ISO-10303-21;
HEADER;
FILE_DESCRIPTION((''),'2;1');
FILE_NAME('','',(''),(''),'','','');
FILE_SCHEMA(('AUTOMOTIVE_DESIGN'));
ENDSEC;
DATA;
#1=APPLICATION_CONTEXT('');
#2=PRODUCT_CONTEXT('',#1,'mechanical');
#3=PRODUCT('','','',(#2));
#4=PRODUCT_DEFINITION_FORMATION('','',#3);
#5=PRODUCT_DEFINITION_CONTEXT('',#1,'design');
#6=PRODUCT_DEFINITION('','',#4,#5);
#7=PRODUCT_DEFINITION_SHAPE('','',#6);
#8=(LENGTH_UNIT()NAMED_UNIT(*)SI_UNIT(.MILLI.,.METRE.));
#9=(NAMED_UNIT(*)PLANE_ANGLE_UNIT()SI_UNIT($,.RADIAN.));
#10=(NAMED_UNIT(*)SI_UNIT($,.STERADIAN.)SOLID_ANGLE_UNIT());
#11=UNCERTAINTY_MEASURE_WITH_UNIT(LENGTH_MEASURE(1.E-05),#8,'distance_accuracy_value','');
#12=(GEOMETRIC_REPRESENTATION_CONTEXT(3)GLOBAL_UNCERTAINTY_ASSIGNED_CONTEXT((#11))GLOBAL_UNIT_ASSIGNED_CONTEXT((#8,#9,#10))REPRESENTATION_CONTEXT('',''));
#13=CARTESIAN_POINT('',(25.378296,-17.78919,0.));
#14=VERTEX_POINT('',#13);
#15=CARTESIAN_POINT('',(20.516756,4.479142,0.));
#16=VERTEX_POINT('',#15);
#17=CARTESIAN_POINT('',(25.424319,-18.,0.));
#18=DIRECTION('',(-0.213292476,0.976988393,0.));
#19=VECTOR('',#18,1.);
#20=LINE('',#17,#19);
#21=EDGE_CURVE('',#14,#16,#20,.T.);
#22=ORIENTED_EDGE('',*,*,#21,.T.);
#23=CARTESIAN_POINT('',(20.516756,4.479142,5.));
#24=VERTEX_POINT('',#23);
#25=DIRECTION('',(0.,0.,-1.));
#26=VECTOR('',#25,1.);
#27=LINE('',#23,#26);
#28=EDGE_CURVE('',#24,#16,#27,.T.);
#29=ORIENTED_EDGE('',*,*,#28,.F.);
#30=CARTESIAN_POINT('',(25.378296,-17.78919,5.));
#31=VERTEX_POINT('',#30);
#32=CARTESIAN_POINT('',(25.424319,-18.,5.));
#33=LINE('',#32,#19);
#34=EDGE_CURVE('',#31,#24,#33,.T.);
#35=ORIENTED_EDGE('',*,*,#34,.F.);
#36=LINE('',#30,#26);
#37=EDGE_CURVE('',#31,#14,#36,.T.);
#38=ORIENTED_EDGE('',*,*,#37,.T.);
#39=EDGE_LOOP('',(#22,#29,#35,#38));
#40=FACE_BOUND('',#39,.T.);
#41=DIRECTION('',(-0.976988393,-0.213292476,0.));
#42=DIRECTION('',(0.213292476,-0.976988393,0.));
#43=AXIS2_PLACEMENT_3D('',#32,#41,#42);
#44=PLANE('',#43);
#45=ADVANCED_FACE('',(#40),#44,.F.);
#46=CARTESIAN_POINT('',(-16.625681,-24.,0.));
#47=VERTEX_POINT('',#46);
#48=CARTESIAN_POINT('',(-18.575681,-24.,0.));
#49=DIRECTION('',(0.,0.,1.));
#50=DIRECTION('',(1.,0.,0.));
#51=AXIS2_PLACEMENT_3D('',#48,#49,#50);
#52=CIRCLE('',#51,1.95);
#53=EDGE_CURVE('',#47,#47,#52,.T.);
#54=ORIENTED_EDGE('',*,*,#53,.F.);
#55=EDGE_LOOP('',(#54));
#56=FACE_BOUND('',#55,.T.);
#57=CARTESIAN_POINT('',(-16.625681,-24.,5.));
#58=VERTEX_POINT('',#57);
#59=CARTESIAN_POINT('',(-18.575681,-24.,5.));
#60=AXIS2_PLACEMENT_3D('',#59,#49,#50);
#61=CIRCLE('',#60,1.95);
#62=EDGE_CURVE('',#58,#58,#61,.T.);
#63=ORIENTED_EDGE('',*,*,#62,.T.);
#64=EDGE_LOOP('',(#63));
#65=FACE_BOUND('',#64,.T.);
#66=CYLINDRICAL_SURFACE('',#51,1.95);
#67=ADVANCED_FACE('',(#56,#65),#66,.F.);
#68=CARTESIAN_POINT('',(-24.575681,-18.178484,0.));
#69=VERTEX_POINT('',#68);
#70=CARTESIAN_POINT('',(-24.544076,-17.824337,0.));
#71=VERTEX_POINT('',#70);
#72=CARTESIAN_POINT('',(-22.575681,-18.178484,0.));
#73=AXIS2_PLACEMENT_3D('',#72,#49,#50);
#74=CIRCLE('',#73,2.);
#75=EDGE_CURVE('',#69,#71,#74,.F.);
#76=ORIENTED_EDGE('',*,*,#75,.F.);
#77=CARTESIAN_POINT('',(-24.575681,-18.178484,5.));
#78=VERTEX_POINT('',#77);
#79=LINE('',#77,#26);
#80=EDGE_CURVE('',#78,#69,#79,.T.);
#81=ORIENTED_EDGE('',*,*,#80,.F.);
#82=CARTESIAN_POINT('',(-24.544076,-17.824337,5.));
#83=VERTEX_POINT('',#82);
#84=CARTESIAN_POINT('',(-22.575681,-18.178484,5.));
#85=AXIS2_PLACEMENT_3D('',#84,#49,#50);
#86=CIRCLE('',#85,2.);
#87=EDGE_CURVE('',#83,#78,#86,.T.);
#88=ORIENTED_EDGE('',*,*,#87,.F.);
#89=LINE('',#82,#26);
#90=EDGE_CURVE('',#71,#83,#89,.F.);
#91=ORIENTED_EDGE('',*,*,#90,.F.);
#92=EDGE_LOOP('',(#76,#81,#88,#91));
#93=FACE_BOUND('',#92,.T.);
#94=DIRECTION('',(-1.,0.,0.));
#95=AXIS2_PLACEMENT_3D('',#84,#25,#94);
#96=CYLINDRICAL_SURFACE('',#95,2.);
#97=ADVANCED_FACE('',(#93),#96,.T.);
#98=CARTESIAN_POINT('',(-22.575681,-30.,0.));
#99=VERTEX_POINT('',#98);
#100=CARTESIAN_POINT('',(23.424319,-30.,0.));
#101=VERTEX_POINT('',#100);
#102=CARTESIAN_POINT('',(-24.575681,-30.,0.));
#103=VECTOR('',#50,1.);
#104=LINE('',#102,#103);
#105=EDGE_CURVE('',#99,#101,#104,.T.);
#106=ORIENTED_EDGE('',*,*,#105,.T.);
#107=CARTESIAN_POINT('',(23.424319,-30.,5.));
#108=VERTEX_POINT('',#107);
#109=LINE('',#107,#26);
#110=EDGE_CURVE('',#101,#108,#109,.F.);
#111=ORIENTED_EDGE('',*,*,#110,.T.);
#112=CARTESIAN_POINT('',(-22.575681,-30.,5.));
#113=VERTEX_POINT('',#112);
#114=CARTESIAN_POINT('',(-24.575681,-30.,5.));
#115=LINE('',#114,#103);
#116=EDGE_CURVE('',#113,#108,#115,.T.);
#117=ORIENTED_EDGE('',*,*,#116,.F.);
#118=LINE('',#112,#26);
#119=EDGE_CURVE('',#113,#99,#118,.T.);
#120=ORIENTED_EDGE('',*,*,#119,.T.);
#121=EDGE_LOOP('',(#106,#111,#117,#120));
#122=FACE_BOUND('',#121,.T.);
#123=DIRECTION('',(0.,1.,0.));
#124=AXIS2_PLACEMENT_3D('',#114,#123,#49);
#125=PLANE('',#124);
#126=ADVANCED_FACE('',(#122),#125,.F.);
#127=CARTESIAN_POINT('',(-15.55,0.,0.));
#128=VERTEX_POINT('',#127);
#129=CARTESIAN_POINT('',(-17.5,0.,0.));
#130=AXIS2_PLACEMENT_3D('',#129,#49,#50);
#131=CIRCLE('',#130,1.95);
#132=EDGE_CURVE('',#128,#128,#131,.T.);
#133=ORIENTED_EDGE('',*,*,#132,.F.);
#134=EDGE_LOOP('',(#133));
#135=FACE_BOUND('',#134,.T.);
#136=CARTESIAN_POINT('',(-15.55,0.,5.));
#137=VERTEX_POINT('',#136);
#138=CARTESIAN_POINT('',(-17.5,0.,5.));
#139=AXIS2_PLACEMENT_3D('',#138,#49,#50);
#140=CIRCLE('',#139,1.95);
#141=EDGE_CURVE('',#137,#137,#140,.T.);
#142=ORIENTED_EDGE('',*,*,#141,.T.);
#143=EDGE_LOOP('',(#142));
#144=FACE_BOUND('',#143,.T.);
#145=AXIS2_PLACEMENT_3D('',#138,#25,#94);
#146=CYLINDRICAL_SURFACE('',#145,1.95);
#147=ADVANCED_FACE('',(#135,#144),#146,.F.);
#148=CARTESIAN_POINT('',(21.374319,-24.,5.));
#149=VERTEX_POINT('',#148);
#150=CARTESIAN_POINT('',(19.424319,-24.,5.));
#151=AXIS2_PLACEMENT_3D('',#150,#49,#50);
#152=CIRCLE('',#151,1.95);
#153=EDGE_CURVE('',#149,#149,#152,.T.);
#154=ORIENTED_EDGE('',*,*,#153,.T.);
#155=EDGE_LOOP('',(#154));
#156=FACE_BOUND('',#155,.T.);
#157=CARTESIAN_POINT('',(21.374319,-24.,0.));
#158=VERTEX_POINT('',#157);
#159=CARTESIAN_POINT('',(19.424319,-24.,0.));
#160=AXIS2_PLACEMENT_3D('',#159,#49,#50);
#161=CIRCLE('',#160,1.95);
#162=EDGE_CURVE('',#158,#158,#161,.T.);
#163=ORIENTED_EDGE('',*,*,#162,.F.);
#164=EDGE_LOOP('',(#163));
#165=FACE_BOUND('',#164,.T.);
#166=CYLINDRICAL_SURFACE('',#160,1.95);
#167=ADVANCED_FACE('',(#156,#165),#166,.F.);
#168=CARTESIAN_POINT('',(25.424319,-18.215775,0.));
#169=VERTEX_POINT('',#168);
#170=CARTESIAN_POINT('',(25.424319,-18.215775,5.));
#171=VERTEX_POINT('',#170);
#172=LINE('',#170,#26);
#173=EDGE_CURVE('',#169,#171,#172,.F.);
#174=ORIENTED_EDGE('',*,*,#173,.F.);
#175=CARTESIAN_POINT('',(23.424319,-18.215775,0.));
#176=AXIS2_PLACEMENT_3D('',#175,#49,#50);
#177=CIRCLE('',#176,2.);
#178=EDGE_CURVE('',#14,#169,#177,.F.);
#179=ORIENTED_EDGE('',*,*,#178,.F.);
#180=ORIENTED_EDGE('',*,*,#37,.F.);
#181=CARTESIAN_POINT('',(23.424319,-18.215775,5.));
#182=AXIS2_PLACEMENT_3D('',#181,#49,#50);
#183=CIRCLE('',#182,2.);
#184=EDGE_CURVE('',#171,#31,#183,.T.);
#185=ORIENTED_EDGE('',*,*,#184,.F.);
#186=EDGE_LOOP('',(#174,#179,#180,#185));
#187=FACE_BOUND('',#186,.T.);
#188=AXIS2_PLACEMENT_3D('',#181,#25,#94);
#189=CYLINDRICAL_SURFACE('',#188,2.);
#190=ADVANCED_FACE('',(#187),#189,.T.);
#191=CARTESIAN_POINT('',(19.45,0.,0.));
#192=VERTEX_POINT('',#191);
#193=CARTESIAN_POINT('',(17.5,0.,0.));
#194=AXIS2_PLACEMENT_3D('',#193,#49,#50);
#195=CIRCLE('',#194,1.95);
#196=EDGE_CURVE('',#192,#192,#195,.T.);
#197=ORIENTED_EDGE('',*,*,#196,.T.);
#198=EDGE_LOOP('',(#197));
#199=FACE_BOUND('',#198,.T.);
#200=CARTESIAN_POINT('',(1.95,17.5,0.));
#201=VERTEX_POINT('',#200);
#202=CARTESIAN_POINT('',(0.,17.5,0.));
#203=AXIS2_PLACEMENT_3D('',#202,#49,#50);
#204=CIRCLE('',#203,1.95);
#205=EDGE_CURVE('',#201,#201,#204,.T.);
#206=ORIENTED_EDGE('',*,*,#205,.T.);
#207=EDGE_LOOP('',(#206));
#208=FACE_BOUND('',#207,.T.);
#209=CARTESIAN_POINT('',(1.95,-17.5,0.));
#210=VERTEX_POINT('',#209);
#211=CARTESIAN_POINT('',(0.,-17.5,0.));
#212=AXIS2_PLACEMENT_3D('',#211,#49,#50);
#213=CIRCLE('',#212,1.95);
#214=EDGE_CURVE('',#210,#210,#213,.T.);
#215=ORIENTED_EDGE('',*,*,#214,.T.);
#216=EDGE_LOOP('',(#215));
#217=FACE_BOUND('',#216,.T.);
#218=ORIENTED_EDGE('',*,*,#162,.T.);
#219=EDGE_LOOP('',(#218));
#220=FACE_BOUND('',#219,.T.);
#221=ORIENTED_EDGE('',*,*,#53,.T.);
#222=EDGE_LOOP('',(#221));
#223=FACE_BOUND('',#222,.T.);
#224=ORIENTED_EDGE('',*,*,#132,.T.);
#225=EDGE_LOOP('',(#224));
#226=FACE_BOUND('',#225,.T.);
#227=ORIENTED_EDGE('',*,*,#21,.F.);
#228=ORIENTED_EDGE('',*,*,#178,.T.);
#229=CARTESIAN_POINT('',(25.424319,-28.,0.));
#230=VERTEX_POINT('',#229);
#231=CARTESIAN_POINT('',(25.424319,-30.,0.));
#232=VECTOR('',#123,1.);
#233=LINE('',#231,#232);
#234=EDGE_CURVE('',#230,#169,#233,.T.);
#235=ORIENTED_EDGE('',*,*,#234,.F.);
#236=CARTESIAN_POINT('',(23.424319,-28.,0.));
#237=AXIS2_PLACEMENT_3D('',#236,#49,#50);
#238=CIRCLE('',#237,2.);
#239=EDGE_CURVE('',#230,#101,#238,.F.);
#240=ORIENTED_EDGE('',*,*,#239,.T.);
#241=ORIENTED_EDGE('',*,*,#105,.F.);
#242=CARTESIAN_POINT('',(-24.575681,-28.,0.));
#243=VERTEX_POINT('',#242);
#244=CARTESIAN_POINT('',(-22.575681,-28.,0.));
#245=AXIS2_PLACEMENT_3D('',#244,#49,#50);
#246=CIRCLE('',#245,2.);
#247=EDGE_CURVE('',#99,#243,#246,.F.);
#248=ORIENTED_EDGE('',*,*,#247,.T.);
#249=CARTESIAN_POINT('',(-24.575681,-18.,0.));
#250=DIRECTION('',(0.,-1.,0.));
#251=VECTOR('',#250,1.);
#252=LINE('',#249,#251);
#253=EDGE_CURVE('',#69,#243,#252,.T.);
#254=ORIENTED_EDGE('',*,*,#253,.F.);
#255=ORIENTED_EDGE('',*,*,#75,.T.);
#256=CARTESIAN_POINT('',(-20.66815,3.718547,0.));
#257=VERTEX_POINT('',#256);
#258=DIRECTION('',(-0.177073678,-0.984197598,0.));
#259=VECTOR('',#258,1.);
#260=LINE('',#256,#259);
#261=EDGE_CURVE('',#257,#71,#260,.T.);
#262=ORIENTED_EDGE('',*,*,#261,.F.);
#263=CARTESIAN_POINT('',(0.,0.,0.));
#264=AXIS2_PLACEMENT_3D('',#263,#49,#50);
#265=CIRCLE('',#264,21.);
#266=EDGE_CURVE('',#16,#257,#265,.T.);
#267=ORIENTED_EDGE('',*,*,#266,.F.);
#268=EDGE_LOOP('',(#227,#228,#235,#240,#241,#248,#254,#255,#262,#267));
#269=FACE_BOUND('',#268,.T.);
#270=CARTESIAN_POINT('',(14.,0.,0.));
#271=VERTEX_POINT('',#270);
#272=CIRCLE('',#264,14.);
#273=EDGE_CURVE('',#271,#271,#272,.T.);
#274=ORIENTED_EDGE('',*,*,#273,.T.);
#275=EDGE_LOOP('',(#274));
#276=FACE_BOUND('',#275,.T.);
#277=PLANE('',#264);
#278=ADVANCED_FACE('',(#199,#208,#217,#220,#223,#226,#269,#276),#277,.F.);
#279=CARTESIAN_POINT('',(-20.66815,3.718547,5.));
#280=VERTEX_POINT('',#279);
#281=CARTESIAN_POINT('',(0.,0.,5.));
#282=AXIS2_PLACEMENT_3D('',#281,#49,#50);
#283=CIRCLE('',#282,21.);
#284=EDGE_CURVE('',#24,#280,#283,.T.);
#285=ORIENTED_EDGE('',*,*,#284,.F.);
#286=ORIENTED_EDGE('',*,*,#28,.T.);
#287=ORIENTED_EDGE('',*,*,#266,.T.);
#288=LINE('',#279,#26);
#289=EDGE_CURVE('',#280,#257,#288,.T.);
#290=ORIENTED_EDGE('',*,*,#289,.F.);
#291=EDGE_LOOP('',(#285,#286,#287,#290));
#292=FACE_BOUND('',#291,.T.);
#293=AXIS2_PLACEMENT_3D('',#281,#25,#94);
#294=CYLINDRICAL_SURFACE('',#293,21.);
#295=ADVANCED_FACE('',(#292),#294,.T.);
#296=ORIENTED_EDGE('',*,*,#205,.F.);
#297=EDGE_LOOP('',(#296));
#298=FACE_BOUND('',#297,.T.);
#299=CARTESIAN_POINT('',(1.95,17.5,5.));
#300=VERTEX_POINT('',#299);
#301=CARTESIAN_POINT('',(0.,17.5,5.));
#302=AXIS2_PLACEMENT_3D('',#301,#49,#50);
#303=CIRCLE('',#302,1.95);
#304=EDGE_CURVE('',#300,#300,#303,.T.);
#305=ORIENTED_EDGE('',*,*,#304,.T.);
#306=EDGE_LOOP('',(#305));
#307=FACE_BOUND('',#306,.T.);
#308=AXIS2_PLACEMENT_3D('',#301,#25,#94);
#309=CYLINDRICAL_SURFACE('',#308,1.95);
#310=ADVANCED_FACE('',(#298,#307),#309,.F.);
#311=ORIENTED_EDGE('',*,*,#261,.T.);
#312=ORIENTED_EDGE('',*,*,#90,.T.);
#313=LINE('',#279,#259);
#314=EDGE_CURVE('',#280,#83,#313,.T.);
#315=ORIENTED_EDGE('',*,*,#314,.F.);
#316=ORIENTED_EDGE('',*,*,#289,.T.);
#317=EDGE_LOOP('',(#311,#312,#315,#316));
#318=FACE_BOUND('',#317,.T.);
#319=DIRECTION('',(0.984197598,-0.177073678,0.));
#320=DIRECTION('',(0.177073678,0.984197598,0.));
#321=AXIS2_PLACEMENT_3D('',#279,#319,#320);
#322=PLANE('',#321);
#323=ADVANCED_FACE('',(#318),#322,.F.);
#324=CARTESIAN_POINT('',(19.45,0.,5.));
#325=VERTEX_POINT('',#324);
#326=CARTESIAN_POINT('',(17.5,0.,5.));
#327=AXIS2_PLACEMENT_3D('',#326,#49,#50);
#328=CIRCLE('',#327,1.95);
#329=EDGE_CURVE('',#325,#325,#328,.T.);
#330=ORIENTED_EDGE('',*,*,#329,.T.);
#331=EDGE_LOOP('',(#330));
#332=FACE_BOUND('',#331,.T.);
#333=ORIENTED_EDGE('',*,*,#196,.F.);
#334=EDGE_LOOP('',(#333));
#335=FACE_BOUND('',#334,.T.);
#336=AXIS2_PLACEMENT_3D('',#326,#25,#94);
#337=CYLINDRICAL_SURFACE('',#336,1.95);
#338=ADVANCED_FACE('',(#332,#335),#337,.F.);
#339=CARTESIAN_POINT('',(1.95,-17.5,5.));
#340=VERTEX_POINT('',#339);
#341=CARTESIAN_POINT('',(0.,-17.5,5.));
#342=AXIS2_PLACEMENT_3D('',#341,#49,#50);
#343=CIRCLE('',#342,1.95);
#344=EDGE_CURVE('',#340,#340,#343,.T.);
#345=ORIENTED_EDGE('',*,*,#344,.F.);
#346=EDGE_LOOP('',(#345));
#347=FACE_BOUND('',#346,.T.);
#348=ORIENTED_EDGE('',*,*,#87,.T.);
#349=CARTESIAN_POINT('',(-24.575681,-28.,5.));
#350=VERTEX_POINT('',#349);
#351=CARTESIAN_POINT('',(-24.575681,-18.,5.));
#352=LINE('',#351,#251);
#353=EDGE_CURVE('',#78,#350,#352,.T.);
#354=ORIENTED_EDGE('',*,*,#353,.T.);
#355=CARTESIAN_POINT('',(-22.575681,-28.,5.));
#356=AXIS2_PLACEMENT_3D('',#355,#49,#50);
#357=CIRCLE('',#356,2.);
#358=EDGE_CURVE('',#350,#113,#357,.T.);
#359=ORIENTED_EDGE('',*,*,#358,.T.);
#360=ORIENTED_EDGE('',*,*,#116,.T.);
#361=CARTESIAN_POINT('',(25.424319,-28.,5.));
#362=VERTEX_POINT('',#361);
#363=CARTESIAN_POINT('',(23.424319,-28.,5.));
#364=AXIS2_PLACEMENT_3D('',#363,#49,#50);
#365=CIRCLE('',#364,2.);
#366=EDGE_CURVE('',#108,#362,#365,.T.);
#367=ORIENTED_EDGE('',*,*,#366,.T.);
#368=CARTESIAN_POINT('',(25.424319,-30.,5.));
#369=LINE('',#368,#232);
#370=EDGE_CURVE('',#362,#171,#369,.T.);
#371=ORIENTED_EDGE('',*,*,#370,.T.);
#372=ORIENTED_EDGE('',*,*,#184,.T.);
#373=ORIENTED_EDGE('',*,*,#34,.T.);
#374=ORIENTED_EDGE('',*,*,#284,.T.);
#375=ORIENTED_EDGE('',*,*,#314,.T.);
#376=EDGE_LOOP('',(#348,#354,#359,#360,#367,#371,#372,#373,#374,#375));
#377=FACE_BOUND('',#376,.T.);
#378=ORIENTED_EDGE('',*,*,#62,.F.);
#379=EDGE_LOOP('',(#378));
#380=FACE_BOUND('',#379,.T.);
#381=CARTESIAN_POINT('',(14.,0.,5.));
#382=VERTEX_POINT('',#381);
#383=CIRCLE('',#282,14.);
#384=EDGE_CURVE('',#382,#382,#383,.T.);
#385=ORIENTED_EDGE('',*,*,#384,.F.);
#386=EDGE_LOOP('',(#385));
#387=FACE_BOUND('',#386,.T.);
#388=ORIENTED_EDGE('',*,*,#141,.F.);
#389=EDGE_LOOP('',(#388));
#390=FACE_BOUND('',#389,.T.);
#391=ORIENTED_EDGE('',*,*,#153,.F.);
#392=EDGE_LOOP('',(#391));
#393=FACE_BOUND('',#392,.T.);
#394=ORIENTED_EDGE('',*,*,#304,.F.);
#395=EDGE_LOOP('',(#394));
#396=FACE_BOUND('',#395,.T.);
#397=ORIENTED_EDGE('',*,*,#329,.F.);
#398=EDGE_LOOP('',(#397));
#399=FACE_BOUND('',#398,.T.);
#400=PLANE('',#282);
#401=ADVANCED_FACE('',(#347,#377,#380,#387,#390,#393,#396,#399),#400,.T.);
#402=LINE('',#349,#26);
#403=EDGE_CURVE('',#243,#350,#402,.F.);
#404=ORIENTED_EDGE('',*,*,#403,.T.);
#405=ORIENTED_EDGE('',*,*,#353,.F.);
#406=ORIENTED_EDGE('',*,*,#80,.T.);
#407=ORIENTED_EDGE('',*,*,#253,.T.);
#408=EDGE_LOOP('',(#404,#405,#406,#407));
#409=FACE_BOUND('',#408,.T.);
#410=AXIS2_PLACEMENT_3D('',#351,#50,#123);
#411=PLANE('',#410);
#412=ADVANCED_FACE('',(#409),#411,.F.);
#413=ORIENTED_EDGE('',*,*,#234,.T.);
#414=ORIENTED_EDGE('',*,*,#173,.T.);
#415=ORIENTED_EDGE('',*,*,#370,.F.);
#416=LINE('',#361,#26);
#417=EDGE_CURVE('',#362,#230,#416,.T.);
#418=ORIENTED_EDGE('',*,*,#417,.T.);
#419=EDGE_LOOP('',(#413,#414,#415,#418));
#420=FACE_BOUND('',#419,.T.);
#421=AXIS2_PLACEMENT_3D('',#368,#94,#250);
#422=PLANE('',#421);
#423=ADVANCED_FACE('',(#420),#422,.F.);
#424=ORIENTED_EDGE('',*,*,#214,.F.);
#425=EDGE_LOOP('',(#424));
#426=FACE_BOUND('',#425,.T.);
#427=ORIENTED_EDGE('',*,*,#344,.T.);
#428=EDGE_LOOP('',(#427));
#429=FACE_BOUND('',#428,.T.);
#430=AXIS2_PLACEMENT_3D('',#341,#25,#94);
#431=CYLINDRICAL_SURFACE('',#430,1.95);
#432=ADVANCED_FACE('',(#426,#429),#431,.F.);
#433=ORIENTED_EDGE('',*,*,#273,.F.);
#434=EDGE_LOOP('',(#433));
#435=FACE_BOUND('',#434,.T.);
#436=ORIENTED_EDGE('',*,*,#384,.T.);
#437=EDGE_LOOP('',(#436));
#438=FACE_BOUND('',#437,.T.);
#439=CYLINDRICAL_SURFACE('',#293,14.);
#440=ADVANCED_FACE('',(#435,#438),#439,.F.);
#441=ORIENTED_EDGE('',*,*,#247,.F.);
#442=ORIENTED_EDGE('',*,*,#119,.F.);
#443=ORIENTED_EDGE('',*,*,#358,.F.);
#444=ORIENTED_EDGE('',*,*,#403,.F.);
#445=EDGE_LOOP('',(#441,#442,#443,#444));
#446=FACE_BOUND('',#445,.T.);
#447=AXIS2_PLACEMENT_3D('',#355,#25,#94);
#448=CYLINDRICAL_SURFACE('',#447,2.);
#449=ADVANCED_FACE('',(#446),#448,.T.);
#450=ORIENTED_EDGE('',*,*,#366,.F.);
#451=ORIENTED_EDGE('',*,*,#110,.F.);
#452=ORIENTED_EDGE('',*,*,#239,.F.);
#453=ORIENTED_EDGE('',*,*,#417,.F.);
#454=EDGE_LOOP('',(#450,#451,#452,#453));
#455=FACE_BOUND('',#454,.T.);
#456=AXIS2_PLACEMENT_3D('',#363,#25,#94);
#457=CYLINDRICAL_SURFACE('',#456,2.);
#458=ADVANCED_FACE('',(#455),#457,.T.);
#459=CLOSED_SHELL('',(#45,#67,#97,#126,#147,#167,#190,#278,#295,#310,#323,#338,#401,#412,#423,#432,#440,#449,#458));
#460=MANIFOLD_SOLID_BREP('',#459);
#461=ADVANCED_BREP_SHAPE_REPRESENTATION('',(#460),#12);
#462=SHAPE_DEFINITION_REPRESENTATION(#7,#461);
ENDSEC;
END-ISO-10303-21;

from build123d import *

# Parameters (mm, degrees)
SKETCH_1_R          = 1.95
SKETCH_1_R_2        = 14
EXTRUDE_1_DEPTH     = 5
SKETCH_2_R          = 1.95
CUT_EXTRUDE_1_DEPTH = 40.6408375
FILLET_1_R          = 2


with BuildPart() as part:
    # 草图1 → 凸台-拉伸1 (new body)
    with BuildSketch(Plane.XY):
        with BuildLine():
            Line((-20.668149566, 3.718547232), (-24.575680979, -18))
            Line((-24.575680979, -18), (-24.575680979, -30))
            Line((-24.575680979, -30), (25.424319021, -30))
            Line((25.424319021, -30), (25.424319021, -18))
            Line((25.424319021, -18), (20.516756247, 4.479142005))
            ThreePointArc((20.516756247, 4.479142005), (-0.387757768, 20.996419788), (-20.668149566, 3.718547232))
        make_face()
        with Locations((0, 17.5)):
            Circle(SKETCH_1_R, mode=Mode.SUBTRACT)
        with Locations((17.5, 0)):
            Circle(SKETCH_1_R, mode=Mode.SUBTRACT)
        with Locations((0, -17.5)):
            Circle(SKETCH_1_R, mode=Mode.SUBTRACT)
        with Locations((-17.5, 0)):
            Circle(SKETCH_1_R, mode=Mode.SUBTRACT)
        Circle(SKETCH_1_R_2, mode=Mode.SUBTRACT)
    extrude(amount=EXTRUDE_1_DEPTH)

    # 草图2 → 切除-拉伸1 (cut, through all)
    with BuildSketch(Plane.XY.offset(5)):
        with Locations((19.424319021, -24)):
            Circle(SKETCH_2_R)
        with Locations((-18.575680979, -24)):
            Circle(SKETCH_2_R)
    extrude(amount=-CUT_EXTRUDE_1_DEPTH, mode=Mode.SUBTRACT)

    # 圆角1
    fillet_1_edges = [part.edges().sort_by_distance(p)[0] for p in [
        (25.424319021, -18, 2.5),
        (25.424319021, -30, 2.5),
        (-24.575680979, -30, 2.5),
        (-24.575680979, -18, 2.5),
    ]]
    fillet(fillet_1_edges, radius=FILLET_1_R)


solid = part.part
